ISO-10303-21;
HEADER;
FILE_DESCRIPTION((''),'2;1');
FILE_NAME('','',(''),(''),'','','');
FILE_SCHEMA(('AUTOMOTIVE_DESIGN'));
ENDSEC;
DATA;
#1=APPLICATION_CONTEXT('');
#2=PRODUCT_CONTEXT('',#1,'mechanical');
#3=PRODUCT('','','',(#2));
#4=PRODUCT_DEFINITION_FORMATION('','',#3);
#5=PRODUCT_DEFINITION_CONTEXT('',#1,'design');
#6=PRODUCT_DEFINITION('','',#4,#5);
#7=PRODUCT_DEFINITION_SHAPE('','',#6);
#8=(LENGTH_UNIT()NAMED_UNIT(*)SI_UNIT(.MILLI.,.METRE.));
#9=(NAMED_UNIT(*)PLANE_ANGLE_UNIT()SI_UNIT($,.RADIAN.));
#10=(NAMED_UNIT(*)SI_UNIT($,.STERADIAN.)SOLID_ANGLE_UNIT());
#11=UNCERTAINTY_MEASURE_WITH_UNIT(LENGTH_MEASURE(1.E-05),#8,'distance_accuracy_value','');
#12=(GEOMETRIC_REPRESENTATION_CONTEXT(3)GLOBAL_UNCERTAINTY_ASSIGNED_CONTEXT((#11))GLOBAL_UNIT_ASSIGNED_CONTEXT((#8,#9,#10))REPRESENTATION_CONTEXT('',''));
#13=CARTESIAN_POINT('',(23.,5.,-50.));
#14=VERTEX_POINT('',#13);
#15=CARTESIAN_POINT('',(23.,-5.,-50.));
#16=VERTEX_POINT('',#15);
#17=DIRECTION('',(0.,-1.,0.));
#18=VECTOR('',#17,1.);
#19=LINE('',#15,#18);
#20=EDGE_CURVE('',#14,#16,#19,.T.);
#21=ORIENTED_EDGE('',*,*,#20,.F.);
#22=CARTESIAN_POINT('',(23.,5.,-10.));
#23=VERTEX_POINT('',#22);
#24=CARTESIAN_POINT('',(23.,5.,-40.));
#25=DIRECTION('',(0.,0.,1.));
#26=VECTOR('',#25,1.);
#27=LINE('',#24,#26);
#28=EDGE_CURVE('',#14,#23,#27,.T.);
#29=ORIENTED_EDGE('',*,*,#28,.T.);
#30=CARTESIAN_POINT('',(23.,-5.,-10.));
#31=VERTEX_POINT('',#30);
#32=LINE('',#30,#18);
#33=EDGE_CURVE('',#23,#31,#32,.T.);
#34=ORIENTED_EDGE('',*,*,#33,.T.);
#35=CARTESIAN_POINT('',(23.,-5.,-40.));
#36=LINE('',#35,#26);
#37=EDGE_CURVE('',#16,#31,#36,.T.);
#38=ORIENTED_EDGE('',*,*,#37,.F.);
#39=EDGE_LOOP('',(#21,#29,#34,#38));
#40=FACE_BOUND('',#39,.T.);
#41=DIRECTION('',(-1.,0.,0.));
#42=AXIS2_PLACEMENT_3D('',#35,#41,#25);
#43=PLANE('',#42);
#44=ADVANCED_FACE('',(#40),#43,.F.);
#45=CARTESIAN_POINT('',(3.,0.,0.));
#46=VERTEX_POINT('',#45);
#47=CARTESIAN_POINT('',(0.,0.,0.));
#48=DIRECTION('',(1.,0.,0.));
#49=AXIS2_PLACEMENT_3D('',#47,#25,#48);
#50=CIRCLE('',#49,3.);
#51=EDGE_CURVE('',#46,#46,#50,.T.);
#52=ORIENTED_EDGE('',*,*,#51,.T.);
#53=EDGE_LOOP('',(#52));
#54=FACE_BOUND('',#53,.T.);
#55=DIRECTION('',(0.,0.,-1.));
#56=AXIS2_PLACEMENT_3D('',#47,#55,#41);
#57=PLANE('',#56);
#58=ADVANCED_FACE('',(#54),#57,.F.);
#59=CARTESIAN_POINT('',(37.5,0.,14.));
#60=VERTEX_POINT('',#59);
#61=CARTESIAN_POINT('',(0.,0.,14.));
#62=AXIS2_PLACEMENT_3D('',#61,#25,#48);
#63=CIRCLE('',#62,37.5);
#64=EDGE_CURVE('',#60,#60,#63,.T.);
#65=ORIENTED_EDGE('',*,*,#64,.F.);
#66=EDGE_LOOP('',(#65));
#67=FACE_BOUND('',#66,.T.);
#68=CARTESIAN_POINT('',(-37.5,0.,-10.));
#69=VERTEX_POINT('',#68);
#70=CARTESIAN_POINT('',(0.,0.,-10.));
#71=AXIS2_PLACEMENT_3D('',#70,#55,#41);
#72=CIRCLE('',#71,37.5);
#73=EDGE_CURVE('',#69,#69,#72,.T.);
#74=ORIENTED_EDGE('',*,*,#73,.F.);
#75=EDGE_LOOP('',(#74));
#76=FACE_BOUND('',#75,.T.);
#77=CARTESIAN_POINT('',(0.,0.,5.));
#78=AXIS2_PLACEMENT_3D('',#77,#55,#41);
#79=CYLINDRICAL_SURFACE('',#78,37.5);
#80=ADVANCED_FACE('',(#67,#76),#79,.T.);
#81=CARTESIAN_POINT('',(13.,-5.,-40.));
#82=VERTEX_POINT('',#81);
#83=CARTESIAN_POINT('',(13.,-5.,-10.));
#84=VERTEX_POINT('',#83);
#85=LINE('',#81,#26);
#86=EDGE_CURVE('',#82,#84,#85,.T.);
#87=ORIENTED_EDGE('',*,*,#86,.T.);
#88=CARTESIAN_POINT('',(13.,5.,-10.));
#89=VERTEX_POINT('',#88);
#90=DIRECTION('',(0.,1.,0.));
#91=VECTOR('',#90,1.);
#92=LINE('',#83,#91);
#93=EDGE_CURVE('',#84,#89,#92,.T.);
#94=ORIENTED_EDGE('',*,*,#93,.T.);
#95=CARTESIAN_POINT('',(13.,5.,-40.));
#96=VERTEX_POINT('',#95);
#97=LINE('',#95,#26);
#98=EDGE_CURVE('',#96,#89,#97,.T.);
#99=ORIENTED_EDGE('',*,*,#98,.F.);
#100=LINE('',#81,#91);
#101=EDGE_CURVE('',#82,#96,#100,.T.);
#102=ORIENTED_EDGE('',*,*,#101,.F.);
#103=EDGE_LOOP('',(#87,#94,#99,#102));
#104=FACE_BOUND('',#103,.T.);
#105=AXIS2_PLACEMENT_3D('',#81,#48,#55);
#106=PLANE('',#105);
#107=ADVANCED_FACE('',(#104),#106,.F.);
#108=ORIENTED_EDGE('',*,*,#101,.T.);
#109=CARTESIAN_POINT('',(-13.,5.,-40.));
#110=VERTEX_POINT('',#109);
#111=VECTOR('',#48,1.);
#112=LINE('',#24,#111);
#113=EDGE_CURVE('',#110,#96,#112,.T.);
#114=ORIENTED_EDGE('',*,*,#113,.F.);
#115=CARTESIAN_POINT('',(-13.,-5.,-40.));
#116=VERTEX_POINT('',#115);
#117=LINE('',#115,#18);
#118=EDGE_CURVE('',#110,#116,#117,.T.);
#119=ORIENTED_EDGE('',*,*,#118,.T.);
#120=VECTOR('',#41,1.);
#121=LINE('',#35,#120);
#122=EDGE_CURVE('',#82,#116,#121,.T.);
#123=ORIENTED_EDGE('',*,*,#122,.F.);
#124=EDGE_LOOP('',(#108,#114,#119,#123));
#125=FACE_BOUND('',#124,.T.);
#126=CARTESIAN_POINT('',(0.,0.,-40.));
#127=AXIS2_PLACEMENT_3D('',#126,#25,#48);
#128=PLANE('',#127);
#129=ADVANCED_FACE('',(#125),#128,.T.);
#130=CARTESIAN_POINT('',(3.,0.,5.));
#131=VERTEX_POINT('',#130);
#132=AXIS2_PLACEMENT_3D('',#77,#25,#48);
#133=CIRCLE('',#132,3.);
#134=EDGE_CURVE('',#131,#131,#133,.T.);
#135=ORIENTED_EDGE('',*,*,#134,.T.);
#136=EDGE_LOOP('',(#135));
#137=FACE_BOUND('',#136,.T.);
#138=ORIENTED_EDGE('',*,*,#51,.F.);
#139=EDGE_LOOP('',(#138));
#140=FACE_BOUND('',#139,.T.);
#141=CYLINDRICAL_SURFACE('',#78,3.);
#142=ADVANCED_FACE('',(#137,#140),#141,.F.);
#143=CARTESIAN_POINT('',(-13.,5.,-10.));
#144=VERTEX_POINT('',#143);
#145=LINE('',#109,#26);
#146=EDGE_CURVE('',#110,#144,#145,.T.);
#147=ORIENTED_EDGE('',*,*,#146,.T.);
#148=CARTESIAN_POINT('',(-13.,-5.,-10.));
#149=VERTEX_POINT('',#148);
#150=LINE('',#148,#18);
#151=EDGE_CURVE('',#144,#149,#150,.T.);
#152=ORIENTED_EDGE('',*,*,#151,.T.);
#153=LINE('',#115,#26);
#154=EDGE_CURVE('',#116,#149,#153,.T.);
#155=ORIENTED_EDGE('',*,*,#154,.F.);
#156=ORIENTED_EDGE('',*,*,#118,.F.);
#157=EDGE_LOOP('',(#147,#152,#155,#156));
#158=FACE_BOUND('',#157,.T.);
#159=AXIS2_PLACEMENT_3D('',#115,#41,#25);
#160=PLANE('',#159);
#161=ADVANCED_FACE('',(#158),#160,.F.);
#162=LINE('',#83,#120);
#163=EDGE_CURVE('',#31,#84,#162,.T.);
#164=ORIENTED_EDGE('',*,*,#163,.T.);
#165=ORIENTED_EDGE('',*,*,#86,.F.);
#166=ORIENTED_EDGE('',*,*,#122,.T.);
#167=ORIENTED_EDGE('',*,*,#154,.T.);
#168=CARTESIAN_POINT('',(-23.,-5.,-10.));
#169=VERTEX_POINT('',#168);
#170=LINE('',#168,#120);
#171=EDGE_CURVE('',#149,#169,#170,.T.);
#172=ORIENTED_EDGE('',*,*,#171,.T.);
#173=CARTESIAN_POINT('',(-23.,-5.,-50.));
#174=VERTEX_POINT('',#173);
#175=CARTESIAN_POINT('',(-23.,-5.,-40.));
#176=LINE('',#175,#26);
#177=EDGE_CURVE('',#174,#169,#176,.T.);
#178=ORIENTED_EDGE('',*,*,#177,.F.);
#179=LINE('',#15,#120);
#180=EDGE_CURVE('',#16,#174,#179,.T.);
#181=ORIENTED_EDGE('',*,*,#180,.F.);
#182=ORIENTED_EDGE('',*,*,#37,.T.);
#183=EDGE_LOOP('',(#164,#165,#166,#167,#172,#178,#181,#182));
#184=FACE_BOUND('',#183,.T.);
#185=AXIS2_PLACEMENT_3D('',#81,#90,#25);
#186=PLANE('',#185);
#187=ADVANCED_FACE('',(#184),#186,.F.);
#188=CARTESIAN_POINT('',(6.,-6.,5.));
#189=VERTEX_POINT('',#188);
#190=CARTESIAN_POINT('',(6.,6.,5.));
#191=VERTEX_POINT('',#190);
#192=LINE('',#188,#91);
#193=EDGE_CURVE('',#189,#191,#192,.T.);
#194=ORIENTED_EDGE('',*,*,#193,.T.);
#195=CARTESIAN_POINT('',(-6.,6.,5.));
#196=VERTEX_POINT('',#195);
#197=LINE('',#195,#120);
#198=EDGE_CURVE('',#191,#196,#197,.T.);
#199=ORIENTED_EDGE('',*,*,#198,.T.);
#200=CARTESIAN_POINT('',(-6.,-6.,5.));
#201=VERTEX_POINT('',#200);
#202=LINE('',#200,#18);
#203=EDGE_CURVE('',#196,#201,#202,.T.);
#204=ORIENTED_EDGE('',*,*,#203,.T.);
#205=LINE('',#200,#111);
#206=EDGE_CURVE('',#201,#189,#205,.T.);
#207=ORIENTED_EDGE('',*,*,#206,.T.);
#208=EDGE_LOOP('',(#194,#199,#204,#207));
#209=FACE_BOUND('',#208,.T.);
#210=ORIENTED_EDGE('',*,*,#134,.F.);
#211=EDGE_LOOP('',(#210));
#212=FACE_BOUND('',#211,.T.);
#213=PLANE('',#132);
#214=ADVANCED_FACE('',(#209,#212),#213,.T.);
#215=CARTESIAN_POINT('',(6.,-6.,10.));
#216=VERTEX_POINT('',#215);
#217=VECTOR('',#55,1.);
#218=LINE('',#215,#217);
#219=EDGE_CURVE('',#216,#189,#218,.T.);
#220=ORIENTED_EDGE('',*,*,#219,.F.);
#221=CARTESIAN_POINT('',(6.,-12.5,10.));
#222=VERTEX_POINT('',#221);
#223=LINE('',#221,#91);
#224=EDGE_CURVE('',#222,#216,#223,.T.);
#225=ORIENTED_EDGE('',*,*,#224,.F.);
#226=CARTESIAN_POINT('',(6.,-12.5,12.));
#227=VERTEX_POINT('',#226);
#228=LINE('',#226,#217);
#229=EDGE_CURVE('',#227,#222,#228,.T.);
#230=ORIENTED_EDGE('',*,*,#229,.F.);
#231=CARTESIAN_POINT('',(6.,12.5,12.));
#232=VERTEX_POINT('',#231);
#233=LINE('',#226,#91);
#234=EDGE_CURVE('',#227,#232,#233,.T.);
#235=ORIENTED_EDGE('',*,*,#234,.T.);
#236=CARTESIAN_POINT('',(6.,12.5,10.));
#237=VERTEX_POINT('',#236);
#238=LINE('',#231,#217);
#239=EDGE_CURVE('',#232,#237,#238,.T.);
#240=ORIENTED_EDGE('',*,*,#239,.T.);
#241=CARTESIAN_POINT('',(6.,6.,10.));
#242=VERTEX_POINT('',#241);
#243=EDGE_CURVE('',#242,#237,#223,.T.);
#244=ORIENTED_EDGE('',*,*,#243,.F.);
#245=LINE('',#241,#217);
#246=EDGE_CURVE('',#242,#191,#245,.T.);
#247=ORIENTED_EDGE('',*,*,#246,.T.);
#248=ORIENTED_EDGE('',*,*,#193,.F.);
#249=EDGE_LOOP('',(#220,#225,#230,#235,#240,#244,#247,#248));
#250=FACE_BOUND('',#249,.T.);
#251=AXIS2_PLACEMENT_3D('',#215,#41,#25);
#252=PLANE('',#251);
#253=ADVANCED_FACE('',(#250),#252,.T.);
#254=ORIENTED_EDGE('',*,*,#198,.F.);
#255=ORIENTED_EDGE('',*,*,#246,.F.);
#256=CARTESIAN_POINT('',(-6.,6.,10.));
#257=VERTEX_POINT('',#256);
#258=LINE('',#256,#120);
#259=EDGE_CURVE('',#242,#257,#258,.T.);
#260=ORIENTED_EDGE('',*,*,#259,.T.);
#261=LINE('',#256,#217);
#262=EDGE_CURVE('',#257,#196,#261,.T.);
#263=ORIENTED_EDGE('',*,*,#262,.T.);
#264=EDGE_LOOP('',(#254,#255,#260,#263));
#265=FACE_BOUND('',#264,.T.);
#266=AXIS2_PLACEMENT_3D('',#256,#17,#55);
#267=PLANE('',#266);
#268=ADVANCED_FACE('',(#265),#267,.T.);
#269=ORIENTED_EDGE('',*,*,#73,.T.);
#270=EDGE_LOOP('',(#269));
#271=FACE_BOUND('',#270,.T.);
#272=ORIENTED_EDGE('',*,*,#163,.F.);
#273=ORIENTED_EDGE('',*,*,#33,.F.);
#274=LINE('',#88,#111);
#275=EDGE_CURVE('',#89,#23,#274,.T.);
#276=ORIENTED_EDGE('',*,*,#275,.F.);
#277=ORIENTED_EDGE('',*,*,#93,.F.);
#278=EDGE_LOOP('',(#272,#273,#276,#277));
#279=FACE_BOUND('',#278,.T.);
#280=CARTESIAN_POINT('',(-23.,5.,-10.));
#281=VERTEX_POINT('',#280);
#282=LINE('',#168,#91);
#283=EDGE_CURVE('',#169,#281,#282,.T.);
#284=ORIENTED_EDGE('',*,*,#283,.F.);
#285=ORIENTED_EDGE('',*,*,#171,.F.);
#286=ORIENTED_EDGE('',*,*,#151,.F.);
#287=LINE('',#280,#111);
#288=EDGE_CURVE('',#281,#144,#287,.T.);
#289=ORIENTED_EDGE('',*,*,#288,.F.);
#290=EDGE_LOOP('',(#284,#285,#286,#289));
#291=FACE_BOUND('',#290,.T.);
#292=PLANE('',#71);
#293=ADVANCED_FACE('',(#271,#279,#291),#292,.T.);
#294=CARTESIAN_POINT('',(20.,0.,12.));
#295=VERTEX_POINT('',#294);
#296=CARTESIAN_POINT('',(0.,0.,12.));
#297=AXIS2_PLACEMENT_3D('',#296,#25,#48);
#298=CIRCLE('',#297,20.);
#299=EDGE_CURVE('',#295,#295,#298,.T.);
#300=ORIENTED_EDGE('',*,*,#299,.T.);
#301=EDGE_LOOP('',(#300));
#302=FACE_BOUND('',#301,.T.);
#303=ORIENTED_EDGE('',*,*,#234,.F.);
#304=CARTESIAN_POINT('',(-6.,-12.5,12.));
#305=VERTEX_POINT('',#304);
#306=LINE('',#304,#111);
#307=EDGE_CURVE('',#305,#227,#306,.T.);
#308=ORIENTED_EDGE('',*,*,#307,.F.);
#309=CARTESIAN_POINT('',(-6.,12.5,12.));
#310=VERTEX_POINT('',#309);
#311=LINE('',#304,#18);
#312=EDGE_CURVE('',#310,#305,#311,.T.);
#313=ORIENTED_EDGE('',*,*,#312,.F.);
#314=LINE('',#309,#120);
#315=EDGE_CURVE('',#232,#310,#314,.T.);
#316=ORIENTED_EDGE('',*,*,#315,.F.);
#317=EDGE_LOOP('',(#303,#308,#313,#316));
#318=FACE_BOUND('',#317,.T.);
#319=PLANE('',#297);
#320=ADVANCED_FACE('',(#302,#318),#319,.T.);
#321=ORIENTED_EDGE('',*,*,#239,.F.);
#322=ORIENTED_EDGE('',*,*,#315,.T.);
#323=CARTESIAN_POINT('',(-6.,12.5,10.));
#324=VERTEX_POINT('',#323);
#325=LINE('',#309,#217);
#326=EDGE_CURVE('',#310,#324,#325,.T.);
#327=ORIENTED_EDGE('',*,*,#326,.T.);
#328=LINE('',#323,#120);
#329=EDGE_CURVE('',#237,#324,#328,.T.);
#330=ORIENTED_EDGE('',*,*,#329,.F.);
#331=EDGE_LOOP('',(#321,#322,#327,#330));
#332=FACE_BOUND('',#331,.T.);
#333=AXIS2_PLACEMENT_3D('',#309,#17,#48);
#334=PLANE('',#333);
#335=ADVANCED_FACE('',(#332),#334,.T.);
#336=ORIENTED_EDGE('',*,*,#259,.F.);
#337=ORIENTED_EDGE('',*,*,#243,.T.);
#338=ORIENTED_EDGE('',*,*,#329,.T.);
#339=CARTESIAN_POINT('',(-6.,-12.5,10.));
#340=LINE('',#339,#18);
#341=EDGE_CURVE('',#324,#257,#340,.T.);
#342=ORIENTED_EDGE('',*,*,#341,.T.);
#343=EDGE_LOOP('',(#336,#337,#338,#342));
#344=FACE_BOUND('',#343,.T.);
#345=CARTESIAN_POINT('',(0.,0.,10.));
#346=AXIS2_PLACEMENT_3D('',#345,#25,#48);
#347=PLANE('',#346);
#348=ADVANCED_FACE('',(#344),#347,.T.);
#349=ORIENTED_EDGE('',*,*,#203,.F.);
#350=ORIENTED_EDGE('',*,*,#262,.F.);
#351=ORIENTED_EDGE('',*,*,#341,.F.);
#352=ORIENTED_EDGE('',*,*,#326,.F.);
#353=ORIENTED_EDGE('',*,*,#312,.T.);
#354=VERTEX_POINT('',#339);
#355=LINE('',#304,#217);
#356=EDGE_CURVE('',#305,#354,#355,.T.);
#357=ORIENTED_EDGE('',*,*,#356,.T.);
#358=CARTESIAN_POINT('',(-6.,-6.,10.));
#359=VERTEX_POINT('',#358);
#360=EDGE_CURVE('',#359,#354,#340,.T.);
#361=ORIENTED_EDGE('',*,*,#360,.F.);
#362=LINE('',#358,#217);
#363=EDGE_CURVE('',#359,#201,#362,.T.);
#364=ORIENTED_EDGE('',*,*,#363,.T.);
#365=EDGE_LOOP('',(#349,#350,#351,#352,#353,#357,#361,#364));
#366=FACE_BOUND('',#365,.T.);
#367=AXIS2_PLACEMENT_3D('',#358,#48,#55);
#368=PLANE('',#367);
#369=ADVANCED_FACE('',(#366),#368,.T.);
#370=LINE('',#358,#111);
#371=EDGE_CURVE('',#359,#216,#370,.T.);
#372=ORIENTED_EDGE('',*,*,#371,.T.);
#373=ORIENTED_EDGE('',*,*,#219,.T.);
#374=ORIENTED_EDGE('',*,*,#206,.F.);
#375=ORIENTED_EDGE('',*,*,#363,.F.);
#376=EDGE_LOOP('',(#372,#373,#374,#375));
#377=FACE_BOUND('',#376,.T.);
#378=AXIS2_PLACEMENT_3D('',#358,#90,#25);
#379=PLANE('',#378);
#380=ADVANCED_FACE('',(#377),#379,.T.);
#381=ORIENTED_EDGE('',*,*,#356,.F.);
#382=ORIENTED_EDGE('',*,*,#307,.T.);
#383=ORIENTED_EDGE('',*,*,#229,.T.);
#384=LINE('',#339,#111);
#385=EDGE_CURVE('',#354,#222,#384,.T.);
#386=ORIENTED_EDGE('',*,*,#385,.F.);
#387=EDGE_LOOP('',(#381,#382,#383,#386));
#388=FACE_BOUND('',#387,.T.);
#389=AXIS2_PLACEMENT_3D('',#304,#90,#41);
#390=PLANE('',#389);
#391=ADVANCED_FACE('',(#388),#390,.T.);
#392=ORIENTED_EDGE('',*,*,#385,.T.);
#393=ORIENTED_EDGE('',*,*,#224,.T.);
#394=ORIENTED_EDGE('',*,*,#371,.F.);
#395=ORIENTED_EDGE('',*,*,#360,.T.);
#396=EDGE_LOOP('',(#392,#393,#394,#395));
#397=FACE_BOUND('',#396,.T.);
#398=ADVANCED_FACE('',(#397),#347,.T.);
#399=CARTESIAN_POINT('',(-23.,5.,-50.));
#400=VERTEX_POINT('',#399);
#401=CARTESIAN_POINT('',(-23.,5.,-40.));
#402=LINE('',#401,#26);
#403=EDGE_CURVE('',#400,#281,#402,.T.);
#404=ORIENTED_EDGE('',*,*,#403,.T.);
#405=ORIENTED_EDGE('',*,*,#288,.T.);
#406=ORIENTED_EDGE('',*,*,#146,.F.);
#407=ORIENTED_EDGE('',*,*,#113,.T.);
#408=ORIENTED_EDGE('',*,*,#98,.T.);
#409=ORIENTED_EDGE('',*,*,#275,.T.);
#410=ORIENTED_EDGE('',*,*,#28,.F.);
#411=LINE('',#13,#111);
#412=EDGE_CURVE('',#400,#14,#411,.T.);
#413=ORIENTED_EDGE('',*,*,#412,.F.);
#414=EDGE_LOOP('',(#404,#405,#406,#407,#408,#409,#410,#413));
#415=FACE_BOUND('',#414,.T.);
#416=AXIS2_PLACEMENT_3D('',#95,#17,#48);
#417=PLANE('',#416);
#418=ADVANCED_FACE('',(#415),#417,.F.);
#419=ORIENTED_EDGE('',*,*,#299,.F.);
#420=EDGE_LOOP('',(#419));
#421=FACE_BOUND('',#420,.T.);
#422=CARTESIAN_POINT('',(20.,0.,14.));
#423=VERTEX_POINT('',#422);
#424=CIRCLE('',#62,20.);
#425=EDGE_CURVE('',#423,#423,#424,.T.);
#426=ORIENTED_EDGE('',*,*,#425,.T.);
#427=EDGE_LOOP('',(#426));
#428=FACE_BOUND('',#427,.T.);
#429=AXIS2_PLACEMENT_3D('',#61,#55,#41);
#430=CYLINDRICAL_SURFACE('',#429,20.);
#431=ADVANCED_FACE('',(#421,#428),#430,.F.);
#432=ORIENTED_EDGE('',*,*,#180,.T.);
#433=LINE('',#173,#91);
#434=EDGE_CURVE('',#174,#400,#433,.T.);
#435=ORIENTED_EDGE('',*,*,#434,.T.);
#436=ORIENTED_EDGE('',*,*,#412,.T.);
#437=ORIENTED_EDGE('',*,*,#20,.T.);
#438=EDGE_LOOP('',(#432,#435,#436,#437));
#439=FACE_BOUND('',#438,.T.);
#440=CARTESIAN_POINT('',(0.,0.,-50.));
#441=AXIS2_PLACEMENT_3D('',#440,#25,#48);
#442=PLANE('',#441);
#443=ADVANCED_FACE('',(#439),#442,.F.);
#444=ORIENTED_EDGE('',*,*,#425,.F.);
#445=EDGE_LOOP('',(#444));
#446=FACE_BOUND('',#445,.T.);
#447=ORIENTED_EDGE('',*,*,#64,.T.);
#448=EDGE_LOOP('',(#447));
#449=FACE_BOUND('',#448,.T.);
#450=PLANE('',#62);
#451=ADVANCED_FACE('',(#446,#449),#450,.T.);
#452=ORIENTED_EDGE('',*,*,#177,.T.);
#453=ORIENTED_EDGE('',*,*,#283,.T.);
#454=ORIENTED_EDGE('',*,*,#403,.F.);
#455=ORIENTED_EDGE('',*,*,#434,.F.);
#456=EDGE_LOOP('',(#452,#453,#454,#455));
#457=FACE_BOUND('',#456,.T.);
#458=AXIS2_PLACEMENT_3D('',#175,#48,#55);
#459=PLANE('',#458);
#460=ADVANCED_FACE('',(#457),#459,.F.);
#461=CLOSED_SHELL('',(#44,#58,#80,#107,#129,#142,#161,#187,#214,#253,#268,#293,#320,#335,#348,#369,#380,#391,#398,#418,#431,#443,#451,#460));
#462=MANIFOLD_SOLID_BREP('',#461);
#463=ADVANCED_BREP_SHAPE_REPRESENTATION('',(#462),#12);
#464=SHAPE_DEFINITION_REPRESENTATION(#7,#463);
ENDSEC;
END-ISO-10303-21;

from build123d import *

# Parameters (mm, degrees)
SKETCH_1_R      = 37.5
SKETCH_1_R_2    = 3
EXTRUDE_1_DEPTH = 5
EXTRUDE_START   = 10
SKETCH_2_R      = 37.5
EXTRUDE_2_DEPTH = 10
SKETCH_4_R      = 37.5
SKETCH_4_W      = 12
SKETCH_4_H      = 12
EXTRUDE_3_DEPTH = 5
SKETCH_6_R      = 37.5
SKETCH_6_W      = 12
SKETCH_6_H      = 25
EXTRUDE_4_DEPTH = 2
SKETCH_11_R     = 37.5
SKETCH_11_R_2   = 20
EXTRUDE_6_DEPTH = 2
SKETCH_13_W     = 10
SKETCH_13_H     = 10
EXTRUDE_7_DEPTH = 30
SKETCH_14_W     = 46
SKETCH_14_H     = 10
EXTRUDE_8_DEPTH = 10


with BuildPart() as part:
    # Эскиз1 → Бобышка-Вытянуть1 (new body)
    with BuildSketch(Plane.XY):
        Circle(SKETCH_1_R)
        Circle(SKETCH_1_R_2, mode=Mode.SUBTRACT)
    extrude(amount=EXTRUDE_1_DEPTH)

    # Эскиз2 → Бобышка-Вытянуть2 (add)
    with BuildSketch(Plane(origin=(0, 0, 0), x_dir=(-1, 0, 0), z_dir=(0, 0, -1)).offset(EXTRUDE_START)):
        Circle(SKETCH_2_R)
    extrude(amount=-EXTRUDE_2_DEPTH)

    # Эскиз4 → Бобышка-Вытянуть3 (add)
    with BuildSketch(Plane.XY.offset(5)):
        with Locations(Location((0, 0, 0), (0, 0, 180))):
            Circle(SKETCH_4_R)
        Rectangle(SKETCH_4_W, SKETCH_4_H, mode=Mode.SUBTRACT)
    extrude(amount=EXTRUDE_3_DEPTH)

    # Эскиз6 → Бобышка-Вытянуть4 (add)
    with BuildSketch(Plane.XY.offset(10)):
        with Locations(Location((0, 0, 0), (0, 0, 180))):
            Circle(SKETCH_6_R)
        Rectangle(SKETCH_6_W, SKETCH_6_H, mode=Mode.SUBTRACT)
    extrude(amount=EXTRUDE_4_DEPTH)

    # Эскиз11 → Бобышка-Вытянуть6 (add)
    with BuildSketch(Plane.XY.offset(12)):
        with Locations(Location((0, 0, 0), (0, 0, 180))):
            Circle(SKETCH_11_R)
        Circle(SKETCH_11_R_2, mode=Mode.SUBTRACT)
    extrude(amount=EXTRUDE_6_DEPTH)

    # Эскиз13 → Бобышка-Вытянуть7 (add)
    with BuildSketch(Plane(origin=(0, 0, -10), x_dir=(-1, 0, 0), z_dir=(0, 0, -1))):
        with Locations((-18, 0)):
            Rectangle(SKETCH_13_W, SKETCH_13_H)
        with Locations((18, 0)):
            Rectangle(SKETCH_13_W, SKETCH_13_H)
    extrude(amount=EXTRUDE_7_DEPTH)

    # Эскиз14 → Бобышка-Вытянуть8 (add)
    with BuildSketch(Plane(origin=(0, 0, -40), x_dir=(-1, 0, 0), z_dir=(0, 0, -1))):
        Rectangle(SKETCH_14_W, SKETCH_14_H)
    extrude(amount=EXTRUDE_8_DEPTH)


solid = part.part
